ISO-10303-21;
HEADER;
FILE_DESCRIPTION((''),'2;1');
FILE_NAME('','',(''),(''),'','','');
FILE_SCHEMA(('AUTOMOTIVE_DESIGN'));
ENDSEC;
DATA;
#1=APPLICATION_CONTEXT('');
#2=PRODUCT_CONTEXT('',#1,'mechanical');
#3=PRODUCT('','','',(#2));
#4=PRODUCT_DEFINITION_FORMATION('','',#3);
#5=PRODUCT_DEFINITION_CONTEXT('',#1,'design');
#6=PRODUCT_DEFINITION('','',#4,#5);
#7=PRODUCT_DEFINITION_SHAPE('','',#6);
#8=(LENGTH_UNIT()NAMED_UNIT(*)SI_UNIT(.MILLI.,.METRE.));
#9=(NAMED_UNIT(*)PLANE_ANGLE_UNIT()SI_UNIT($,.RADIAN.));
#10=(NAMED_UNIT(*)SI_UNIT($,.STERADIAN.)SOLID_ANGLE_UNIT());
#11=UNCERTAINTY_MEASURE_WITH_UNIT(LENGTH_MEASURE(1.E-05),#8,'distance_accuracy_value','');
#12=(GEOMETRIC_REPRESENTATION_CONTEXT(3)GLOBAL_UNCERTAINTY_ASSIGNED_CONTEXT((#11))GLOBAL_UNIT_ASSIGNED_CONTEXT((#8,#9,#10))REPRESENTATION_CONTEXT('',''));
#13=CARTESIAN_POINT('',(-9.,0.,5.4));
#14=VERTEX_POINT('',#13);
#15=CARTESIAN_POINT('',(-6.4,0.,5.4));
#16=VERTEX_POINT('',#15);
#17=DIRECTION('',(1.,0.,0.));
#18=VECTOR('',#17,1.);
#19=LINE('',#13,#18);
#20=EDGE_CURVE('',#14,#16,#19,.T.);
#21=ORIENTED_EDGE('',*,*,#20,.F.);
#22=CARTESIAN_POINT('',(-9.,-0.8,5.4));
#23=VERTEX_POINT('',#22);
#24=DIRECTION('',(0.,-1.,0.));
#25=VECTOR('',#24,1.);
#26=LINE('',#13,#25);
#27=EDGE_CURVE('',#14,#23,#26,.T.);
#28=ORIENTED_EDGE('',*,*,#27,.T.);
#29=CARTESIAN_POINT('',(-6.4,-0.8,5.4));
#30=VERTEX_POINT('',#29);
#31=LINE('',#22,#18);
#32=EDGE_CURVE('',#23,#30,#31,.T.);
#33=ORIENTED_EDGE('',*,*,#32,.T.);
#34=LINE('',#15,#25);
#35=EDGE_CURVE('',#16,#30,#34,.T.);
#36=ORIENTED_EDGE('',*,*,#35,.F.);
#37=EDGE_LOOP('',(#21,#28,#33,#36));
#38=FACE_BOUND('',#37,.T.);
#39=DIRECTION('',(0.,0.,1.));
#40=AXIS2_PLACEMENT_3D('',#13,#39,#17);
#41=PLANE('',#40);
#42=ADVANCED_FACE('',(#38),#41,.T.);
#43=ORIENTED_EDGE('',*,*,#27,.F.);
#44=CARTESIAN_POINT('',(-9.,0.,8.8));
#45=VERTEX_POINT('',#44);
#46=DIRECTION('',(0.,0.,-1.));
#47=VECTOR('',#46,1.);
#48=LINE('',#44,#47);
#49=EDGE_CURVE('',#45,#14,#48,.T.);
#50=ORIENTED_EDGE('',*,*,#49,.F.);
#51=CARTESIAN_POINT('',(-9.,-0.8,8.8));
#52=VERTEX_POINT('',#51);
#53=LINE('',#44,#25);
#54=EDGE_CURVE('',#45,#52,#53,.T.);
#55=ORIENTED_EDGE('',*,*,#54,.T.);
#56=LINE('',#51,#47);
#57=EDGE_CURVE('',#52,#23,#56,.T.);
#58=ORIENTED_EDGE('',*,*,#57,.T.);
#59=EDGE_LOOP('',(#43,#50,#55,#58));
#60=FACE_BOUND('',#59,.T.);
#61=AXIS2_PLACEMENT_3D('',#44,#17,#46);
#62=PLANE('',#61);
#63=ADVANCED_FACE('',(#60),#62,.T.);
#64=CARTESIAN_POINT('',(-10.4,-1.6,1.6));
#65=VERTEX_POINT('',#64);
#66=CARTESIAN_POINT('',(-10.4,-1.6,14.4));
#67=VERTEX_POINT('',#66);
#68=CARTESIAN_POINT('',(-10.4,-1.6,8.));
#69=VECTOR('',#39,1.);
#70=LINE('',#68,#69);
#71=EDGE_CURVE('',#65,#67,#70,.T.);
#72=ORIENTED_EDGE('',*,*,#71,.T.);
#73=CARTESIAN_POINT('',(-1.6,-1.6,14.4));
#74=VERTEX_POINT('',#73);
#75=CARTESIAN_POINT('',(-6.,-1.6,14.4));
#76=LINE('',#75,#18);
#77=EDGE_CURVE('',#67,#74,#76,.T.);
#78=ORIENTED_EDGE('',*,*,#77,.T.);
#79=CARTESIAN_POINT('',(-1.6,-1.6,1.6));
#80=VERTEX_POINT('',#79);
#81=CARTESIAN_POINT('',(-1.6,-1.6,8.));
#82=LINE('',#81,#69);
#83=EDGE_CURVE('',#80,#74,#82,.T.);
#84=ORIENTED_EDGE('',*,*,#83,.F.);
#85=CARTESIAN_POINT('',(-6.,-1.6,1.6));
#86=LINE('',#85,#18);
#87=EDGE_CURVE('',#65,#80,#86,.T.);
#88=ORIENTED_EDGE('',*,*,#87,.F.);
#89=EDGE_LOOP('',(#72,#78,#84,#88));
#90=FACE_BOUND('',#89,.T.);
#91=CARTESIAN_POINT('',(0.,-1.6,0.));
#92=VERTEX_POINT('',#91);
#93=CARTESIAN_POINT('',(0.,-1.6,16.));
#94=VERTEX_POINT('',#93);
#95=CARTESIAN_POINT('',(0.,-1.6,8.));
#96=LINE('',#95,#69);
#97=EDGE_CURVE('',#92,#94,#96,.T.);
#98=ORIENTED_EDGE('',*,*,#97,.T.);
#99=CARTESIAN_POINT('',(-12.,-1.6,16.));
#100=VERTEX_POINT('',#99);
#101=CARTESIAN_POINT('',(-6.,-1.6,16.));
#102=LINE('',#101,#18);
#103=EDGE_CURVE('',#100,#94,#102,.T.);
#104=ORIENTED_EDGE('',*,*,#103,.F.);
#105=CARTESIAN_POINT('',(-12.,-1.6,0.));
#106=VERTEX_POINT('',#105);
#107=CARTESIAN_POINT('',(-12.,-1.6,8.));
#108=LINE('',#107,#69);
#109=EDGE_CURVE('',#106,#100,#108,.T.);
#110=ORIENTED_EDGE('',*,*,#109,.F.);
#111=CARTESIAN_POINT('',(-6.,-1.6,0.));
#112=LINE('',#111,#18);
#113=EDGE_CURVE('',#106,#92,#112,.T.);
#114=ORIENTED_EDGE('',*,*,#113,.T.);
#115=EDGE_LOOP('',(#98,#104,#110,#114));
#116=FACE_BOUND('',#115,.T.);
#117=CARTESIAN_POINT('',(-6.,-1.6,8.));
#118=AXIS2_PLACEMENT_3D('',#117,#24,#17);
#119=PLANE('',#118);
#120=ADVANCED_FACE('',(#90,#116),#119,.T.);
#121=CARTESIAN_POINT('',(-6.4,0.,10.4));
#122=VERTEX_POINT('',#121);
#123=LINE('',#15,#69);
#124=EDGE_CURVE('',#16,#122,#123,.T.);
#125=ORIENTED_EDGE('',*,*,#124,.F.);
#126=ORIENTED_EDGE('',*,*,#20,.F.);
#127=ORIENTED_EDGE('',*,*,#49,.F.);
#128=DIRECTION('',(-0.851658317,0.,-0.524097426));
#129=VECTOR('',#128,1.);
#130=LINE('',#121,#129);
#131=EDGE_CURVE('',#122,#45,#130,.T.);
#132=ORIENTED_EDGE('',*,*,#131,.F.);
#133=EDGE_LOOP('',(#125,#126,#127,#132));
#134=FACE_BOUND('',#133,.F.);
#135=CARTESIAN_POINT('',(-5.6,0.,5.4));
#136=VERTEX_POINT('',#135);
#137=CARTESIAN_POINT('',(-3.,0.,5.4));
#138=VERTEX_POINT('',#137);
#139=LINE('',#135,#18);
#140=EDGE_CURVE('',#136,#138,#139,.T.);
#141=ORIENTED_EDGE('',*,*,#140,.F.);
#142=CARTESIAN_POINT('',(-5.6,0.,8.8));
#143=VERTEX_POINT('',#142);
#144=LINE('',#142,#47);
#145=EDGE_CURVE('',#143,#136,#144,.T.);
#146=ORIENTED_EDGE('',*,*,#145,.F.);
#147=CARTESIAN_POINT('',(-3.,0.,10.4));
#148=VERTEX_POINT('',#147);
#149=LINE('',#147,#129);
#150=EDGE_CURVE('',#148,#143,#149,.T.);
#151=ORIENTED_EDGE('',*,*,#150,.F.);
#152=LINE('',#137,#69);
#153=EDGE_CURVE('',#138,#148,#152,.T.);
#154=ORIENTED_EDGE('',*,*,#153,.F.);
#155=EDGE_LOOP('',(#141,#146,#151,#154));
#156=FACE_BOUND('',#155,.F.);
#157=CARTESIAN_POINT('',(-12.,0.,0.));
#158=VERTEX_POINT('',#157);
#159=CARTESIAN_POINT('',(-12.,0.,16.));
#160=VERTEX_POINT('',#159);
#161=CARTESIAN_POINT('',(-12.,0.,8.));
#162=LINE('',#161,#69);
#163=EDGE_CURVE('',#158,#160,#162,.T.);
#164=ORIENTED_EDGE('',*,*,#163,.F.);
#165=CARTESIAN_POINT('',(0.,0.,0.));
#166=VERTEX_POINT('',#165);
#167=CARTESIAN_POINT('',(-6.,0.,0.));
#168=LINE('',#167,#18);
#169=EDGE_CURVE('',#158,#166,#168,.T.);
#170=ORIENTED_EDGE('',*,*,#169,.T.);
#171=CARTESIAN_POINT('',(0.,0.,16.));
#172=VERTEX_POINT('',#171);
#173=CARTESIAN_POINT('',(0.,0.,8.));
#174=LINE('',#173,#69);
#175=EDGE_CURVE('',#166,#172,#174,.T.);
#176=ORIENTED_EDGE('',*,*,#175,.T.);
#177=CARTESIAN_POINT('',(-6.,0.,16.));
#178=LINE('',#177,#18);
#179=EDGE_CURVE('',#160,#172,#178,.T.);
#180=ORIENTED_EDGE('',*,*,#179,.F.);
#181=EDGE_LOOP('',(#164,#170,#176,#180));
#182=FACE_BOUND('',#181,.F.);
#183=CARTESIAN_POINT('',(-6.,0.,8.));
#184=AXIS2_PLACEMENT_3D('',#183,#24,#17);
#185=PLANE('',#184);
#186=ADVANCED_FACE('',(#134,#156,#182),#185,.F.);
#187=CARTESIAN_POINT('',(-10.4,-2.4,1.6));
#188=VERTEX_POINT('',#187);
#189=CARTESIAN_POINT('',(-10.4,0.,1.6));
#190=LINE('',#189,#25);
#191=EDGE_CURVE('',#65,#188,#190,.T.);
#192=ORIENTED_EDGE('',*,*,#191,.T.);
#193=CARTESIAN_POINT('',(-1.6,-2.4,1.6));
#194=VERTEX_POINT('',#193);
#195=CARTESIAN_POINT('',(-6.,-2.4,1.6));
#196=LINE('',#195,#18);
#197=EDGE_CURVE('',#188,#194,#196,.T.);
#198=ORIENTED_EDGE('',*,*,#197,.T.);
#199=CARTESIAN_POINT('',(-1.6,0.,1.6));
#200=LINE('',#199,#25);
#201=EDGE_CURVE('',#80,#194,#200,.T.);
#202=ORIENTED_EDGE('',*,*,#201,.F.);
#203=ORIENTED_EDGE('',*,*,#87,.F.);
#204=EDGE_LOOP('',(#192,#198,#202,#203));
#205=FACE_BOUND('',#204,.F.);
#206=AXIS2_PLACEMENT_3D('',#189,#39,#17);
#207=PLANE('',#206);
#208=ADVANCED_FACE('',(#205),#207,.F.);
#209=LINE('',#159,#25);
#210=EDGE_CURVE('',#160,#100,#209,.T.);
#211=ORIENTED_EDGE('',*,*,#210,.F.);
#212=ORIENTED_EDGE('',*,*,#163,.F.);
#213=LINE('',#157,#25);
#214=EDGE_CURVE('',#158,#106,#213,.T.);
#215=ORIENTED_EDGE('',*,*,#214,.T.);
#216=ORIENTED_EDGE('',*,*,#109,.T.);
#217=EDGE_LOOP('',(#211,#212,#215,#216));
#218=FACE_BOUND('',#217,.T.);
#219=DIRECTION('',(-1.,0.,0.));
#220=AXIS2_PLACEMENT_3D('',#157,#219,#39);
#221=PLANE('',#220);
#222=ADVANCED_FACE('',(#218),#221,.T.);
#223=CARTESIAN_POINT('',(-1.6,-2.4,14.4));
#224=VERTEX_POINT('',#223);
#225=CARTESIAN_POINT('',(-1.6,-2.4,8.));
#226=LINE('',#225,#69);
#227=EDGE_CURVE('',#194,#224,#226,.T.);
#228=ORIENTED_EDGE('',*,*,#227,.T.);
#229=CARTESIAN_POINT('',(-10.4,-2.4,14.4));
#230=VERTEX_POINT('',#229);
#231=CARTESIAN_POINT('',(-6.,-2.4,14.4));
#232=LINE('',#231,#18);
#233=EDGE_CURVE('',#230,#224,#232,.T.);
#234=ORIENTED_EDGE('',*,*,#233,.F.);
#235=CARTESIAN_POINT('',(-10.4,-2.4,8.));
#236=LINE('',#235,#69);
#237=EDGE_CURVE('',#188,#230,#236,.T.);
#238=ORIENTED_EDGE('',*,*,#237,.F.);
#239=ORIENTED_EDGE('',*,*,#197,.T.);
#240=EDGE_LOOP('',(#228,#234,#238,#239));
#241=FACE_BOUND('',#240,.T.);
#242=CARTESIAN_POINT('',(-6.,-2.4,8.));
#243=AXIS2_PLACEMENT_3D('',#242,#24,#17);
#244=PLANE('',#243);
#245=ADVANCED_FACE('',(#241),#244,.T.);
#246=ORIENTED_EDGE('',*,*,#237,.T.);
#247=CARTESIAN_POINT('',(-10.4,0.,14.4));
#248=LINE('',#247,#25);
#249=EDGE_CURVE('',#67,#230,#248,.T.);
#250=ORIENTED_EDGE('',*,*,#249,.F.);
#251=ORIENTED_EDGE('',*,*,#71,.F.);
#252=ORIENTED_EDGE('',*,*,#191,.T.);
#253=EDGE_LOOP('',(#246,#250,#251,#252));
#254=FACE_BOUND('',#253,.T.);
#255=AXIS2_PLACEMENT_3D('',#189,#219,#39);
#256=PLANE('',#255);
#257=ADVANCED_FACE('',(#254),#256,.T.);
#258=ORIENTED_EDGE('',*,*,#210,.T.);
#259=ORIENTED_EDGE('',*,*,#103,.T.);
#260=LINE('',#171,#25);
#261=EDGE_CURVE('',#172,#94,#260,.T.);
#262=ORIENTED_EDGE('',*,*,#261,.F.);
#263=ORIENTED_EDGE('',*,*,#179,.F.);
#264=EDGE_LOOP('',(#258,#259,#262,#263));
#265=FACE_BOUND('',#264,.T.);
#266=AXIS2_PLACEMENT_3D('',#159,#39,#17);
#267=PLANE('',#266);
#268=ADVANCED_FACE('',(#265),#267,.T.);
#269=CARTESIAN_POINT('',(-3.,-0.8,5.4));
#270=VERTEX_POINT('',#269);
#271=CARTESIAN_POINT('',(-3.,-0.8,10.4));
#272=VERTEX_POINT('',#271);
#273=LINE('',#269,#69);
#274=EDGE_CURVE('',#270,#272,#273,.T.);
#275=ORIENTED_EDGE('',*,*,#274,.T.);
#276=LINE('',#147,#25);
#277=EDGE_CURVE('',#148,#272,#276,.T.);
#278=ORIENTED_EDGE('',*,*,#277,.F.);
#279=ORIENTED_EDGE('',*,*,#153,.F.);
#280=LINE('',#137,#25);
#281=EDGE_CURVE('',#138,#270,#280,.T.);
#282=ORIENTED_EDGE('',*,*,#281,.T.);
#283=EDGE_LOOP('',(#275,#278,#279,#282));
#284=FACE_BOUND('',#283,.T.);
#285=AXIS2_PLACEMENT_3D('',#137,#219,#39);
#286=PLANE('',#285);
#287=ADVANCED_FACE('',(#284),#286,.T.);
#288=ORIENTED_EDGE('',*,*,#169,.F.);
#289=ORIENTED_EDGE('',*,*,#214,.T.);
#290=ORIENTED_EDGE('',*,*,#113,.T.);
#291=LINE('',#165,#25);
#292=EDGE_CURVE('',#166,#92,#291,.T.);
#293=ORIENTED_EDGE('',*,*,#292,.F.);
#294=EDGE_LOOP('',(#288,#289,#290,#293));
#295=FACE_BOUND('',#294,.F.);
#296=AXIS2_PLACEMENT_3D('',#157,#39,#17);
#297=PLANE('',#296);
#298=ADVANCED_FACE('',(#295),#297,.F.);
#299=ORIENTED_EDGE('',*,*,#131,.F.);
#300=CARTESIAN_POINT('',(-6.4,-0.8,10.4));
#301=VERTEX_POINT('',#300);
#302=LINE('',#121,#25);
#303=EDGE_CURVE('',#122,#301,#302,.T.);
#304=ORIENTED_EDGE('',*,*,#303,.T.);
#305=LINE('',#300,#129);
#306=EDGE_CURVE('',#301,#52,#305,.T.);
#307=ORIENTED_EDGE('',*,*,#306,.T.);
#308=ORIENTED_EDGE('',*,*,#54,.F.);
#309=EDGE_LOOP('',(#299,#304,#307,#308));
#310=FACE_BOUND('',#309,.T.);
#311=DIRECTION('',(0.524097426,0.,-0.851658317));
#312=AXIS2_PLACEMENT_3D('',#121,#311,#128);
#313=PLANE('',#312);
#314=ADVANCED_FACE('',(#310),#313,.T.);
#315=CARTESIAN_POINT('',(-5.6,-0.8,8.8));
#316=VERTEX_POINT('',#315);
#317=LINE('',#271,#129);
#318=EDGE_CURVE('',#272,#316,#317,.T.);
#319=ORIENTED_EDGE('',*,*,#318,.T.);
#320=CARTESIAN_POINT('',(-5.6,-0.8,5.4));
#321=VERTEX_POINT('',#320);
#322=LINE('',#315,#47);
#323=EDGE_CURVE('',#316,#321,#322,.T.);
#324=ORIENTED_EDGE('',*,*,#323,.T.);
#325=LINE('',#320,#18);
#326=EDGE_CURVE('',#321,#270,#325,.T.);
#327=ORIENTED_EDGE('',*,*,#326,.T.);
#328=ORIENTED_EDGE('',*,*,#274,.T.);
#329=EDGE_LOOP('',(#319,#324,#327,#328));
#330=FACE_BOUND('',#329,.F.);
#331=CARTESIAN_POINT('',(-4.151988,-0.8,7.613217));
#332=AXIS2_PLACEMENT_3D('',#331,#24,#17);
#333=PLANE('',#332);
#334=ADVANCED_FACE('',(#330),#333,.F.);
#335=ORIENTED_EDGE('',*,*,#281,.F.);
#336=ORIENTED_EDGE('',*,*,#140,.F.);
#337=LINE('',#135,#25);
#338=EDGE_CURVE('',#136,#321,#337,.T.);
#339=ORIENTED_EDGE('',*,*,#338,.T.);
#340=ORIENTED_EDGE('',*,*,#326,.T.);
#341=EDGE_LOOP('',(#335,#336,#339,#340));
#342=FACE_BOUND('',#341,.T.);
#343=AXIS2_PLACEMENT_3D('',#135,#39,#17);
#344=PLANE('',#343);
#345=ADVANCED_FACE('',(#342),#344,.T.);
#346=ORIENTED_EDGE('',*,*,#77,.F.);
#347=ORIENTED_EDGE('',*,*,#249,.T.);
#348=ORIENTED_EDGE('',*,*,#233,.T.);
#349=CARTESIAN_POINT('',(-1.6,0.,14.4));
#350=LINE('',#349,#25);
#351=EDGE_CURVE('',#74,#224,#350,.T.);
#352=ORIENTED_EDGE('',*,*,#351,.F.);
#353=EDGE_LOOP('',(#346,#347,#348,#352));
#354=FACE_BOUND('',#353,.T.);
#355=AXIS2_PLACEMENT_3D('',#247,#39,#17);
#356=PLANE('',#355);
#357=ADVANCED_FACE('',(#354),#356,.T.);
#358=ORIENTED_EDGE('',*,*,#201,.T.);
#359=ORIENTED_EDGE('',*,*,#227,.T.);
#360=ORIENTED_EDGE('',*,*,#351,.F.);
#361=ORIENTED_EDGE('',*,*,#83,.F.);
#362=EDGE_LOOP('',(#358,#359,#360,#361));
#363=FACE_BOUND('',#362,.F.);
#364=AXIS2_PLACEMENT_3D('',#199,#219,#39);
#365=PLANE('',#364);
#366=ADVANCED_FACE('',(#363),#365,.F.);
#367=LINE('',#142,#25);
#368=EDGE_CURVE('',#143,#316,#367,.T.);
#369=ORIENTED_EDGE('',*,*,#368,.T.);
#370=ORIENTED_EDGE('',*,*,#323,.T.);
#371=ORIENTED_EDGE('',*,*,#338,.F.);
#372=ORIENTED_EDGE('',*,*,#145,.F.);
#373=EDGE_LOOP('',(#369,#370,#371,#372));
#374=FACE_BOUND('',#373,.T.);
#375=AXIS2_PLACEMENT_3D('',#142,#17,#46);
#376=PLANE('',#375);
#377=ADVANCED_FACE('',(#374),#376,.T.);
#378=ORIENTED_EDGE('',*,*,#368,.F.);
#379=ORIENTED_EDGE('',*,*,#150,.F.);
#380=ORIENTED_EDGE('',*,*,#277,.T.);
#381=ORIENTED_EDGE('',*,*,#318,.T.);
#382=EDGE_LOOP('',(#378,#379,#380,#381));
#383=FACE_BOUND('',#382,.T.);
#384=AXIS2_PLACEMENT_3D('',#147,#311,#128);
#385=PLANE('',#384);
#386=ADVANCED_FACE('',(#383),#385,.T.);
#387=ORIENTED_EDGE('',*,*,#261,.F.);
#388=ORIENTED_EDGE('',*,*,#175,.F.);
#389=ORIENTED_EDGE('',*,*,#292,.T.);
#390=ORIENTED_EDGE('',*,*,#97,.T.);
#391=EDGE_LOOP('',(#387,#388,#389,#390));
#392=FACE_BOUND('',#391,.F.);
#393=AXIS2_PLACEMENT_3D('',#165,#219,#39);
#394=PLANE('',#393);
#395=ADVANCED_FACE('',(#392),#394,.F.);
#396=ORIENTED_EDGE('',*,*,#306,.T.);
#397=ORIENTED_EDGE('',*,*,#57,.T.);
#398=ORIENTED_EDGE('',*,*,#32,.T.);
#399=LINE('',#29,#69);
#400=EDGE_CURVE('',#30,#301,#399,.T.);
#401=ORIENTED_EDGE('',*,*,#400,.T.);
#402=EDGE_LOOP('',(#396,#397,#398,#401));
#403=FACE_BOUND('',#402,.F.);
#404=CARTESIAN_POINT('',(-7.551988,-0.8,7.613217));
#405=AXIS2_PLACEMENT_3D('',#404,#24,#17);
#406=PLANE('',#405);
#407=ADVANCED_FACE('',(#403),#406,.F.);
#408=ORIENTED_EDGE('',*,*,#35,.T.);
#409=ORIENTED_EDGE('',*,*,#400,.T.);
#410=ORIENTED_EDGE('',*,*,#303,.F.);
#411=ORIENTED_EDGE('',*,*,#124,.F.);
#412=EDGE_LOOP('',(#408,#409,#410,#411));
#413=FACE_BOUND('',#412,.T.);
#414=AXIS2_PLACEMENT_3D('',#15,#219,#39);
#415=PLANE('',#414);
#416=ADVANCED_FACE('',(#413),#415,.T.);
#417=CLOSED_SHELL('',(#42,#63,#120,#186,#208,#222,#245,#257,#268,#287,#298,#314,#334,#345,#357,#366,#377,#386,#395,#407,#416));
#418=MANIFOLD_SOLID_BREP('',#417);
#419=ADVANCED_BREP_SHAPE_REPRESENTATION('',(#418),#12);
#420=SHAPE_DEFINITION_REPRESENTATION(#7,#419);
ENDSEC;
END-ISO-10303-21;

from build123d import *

# Parameters (mm, degrees)
F0_W     = 12
F0_H     = 16
F0_W_2   = 8.8
F0_H_2   = 12.8
F1_DEPTH = 1.6
F2_DEPTH = 2.4
F3_DEPTH = 0.8


with BuildPart() as f1:
    # F0 (on Front) → F1 (new body)
    with BuildSketch(Plane.XZ):
        with Locations((-6, 8)):
            Rectangle(F0_W, F0_H)
        with Locations((-6, 8)):
            Rectangle(F0_W_2, F0_H_2, mode=Mode.SUBTRACT)
    extrude(amount=F1_DEPTH)

    # F0 (on Front) → F2 (join)
    with BuildSketch(Plane.XZ):
        with Locations((-6, 8)):
            Rectangle(F0_W_2, F0_H_2)
        Polygon((-9, 10.4), (-6.4, 10.4), (-6.4, 5.4), (-9, 5.4), (-9, 8.8), align=None, mode=Mode.SUBTRACT)
        Polygon((-5.6, 10.4), (-3, 10.4), (-3, 5.4), (-5.6, 5.4), (-5.6, 8.8), align=None, mode=Mode.SUBTRACT)
        Polygon((-3, 5.4), (-3, 10.4), (-5.6, 8.8), (-5.6, 5.4), align=None)
        Polygon((-5.6, 8.8), (-3, 10.4), (-5.6, 10.4), align=None)
        Polygon((-6.4, 5.4), (-6.4, 10.4), (-9, 8.8), (-9, 5.4), align=None)
        Polygon((-9, 8.8), (-6.4, 10.4), (-9, 10.4), align=None)
    extrude(amount=F2_DEPTH)

    # F0 (on Front) → F3 (cut)
    with BuildSketch(Plane.XZ):
        Polygon((-3, 5.4), (-3, 10.4), (-5.6, 8.8), (-5.6, 5.4), align=None)
        Polygon((-6.4, 5.4), (-6.4, 10.4), (-9, 8.8), (-9, 5.4), align=None)
    extrude(amount=F3_DEPTH, mode=Mode.SUBTRACT)


solid = f1.part
